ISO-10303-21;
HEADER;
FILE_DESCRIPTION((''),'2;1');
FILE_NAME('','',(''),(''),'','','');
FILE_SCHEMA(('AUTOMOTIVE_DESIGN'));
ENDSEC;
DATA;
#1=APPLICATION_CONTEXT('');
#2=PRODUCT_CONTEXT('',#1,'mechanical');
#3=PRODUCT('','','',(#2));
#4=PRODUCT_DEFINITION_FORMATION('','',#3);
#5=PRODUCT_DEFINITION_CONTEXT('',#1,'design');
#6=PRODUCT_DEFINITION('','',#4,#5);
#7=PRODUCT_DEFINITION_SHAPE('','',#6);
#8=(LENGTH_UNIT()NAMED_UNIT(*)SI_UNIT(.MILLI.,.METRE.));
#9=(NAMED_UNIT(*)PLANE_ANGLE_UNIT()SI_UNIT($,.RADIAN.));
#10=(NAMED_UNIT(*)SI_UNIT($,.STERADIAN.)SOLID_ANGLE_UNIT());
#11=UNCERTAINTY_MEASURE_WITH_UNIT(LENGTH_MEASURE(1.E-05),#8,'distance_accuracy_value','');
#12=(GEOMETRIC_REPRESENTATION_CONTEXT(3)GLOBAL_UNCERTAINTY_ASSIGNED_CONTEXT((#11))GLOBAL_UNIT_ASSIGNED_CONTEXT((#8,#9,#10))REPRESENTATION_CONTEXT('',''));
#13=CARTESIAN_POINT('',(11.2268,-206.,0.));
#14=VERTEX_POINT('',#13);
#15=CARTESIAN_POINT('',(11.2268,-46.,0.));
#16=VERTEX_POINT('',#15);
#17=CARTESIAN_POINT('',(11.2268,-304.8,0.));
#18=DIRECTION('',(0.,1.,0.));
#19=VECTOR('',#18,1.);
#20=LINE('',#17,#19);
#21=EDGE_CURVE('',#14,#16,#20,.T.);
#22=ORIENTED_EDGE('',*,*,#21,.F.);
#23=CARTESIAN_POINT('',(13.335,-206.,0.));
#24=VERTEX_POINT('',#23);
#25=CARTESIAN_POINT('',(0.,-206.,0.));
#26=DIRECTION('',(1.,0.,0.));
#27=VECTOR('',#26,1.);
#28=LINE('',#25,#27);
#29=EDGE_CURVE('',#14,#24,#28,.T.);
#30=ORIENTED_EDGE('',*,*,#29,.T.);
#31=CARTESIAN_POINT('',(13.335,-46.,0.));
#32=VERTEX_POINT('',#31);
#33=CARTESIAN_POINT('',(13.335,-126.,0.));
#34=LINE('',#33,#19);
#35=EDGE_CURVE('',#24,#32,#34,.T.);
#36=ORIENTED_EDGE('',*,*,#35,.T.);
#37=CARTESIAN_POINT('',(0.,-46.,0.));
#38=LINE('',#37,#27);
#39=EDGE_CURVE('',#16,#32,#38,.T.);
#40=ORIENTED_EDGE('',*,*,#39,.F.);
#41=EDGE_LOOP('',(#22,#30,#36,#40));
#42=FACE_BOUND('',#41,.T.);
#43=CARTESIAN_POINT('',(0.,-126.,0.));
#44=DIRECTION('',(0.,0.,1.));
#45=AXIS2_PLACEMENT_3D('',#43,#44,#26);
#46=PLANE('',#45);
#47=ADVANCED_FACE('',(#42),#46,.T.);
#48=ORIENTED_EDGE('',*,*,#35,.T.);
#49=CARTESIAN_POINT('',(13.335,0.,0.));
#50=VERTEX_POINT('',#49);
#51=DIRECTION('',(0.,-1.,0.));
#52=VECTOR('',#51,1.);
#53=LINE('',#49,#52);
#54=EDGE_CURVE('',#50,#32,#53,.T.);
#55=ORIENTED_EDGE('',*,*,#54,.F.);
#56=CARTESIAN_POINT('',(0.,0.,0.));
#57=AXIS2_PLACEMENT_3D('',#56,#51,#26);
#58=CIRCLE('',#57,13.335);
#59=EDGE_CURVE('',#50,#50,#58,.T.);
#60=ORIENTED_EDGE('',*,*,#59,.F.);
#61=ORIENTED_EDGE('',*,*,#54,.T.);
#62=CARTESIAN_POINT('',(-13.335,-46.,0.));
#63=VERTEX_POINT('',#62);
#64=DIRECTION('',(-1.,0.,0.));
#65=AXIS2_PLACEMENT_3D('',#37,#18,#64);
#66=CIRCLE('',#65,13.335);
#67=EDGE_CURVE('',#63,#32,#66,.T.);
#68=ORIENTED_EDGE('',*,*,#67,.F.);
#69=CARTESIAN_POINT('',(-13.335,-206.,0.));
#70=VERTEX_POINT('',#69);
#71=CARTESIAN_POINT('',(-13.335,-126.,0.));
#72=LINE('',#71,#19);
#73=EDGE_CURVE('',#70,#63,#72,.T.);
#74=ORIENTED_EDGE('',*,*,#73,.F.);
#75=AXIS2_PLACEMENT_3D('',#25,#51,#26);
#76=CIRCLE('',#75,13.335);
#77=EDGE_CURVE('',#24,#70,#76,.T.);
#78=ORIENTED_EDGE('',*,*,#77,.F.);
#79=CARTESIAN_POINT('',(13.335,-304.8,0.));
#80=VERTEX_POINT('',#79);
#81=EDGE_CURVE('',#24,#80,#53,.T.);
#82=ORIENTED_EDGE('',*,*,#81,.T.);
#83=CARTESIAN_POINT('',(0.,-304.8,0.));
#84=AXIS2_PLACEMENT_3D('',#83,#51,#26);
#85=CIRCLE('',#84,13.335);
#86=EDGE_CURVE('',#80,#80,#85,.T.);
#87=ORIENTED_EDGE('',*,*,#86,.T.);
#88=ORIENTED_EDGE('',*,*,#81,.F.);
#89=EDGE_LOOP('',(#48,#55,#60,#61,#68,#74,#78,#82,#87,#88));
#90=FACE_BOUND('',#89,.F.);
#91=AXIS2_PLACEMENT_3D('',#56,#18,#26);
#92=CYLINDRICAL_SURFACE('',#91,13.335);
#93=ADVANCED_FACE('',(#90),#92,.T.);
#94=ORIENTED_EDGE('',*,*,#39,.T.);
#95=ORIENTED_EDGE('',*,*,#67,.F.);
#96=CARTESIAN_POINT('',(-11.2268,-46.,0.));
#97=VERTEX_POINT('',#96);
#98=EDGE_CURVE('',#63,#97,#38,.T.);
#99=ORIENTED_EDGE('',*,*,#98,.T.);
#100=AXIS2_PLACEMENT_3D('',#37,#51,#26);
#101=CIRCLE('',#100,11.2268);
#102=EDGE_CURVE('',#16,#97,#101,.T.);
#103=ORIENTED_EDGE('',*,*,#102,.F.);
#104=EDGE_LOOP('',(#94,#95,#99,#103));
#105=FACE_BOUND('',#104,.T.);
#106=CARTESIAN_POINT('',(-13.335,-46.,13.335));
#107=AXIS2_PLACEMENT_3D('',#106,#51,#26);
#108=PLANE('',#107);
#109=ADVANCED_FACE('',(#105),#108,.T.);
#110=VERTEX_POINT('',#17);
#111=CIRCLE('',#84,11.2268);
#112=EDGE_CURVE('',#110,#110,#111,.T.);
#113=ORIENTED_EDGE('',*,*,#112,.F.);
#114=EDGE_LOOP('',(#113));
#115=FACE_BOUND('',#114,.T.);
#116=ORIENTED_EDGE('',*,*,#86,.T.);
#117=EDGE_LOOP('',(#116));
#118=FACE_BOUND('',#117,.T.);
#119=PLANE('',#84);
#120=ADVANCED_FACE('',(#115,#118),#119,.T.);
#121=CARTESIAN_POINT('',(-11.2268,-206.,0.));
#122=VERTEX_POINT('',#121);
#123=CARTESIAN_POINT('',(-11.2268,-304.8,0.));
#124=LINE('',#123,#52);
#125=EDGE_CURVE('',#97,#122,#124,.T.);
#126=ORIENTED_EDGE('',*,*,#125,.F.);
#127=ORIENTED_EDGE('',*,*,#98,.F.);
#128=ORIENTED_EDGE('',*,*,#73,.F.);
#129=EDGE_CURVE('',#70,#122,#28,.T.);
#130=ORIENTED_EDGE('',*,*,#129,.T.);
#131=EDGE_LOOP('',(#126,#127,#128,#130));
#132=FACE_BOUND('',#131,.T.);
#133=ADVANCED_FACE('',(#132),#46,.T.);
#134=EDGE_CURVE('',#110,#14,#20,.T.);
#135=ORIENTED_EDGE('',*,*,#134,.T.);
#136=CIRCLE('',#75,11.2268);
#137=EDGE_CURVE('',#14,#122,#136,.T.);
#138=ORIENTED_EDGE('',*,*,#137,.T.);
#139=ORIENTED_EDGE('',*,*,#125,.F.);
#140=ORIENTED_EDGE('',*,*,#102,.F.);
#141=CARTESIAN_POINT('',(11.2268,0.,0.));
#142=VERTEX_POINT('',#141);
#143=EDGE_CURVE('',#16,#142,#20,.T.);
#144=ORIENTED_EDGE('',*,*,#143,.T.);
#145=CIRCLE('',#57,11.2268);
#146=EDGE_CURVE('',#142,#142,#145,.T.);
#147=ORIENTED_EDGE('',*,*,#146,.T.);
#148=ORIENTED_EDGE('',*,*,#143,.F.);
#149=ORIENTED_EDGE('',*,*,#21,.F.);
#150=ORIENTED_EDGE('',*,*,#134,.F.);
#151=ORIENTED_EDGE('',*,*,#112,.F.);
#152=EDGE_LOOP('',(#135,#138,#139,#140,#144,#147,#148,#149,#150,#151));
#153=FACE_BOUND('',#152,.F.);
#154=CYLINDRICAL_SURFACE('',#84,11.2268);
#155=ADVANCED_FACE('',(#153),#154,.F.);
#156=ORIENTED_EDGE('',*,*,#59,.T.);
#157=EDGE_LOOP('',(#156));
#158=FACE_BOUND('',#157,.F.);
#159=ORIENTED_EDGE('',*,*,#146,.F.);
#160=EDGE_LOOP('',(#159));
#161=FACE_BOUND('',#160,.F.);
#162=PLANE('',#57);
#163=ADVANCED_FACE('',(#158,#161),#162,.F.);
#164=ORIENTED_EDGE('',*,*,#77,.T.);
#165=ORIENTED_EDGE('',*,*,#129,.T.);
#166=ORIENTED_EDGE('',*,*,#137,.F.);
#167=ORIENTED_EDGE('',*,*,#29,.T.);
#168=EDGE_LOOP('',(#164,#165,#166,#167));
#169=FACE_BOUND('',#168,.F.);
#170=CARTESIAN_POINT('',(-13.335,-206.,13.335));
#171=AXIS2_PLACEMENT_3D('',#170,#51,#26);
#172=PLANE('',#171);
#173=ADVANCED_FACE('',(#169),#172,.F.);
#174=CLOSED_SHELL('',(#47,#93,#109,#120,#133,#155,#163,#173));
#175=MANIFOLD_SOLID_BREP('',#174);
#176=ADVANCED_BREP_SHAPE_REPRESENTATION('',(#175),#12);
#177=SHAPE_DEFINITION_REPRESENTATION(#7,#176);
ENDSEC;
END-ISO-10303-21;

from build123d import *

# Parameters (mm, degrees)
F0_R     = 13.335
F1_DEPTH = 304.8
F2_R     = 11.2268
F3_DEPTH = 304.801
F5_W     = 26.67
F5_H     = 160
F6_DEPTH = 13.335


with BuildPart() as f1:
    # F0 (on Front) → F1 (new body)
    with BuildSketch(Plane.XZ):
        Circle(F0_R)
    extrude(amount=F1_DEPTH)

    # F2 (on face) → F3 (cut, through all)
    with BuildSketch(Plane.XZ.offset(304.8)):
        Circle(F2_R)
    extrude(amount=-F3_DEPTH, mode=Mode.SUBTRACT)

    # F5 (on offset) → F6 (cut)
    with BuildSketch(Plane.XY.offset(13.335)):
        with Locations((0, -126)):
            Rectangle(F5_W, F5_H)
    extrude(amount=-F6_DEPTH, mode=Mode.SUBTRACT)


solid = f1.part
